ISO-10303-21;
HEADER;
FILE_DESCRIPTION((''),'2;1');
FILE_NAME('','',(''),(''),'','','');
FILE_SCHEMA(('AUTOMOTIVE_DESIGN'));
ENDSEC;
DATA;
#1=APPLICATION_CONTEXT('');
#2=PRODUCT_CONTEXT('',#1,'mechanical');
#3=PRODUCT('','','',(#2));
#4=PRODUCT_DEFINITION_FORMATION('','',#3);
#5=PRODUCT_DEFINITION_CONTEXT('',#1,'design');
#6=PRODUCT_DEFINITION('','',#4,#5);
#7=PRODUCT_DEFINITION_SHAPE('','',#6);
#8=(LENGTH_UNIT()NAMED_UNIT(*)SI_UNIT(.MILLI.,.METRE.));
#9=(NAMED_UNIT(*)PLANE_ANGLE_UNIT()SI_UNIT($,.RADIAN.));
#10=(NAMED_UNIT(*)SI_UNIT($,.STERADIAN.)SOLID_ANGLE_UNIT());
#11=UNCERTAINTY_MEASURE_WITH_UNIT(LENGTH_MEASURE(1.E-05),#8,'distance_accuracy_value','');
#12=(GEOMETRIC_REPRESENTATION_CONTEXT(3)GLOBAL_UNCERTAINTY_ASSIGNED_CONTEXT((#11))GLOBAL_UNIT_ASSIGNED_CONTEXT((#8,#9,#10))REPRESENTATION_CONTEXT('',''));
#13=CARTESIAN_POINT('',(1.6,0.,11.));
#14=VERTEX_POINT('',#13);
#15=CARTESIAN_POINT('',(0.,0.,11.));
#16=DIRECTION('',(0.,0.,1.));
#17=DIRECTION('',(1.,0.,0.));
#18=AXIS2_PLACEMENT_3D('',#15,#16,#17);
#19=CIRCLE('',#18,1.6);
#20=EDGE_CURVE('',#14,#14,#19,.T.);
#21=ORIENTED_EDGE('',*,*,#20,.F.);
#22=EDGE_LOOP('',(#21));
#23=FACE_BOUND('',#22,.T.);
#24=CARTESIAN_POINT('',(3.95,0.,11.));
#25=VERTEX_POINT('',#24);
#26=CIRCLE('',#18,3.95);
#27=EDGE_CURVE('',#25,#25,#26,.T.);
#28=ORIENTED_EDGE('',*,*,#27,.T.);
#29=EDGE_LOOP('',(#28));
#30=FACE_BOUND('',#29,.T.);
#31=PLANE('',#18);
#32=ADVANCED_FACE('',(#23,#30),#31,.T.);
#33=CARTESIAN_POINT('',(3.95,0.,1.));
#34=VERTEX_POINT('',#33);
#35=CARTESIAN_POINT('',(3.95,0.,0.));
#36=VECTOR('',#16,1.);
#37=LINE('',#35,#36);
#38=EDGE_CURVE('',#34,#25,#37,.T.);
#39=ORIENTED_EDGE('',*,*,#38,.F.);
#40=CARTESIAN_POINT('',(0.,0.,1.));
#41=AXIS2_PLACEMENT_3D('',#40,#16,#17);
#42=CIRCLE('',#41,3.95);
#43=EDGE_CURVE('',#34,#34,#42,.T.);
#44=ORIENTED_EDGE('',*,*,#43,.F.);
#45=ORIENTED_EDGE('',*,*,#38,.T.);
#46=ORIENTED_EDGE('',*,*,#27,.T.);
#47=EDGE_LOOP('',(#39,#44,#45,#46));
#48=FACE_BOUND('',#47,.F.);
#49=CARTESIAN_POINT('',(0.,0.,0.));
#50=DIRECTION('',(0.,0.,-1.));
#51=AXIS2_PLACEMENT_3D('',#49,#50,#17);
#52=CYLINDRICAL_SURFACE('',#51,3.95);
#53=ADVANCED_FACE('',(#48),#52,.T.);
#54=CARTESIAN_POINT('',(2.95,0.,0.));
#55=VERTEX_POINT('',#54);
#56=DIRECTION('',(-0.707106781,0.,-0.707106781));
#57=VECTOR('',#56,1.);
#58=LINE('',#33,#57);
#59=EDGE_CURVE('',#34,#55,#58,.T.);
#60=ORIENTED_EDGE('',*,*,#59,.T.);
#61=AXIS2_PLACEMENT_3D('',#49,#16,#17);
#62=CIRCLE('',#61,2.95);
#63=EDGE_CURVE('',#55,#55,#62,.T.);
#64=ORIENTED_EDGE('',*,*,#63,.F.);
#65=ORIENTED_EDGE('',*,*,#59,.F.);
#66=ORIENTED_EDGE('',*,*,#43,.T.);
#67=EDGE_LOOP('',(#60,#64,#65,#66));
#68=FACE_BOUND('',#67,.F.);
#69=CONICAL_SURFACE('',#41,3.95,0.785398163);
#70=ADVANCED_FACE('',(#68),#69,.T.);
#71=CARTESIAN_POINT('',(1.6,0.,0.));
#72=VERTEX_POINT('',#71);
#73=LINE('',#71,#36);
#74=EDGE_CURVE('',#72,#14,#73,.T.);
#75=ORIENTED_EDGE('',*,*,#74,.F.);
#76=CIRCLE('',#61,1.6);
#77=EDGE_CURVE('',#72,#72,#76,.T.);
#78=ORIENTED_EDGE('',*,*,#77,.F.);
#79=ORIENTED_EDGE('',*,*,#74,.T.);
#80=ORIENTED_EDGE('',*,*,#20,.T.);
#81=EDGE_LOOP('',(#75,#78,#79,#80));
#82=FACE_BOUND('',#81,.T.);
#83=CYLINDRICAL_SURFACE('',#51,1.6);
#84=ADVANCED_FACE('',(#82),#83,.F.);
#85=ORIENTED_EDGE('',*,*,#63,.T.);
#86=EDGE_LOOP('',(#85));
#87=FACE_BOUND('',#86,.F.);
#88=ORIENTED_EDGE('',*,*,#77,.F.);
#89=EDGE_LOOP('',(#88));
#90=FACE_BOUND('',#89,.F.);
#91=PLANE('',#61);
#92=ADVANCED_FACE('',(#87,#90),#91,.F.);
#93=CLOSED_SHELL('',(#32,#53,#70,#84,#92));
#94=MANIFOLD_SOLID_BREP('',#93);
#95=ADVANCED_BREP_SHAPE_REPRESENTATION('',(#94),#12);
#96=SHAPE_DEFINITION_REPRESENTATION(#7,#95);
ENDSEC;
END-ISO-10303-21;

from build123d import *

# Parameters (mm, degrees)
SKETCH_R     = 3.95
SKETCH_R_2   = 1.6
PAD_DEPTH    = 11
CHAMFER_SIZE = 1


with BuildPart() as part:
    # Sketch → Pad (new body)
    with BuildSketch(Plane.XY):
        Circle(SKETCH_R)
        Circle(SKETCH_R_2, mode=Mode.SUBTRACT)
    extrude(amount=PAD_DEPTH)

    # Chamfer
    chamfer_edges = [part.edges().sort_by_distance(p)[0] for p in [
        (-3.95, 0, 0),
    ]]
    chamfer(chamfer_edges, length=CHAMFER_SIZE)


solid = part.part
